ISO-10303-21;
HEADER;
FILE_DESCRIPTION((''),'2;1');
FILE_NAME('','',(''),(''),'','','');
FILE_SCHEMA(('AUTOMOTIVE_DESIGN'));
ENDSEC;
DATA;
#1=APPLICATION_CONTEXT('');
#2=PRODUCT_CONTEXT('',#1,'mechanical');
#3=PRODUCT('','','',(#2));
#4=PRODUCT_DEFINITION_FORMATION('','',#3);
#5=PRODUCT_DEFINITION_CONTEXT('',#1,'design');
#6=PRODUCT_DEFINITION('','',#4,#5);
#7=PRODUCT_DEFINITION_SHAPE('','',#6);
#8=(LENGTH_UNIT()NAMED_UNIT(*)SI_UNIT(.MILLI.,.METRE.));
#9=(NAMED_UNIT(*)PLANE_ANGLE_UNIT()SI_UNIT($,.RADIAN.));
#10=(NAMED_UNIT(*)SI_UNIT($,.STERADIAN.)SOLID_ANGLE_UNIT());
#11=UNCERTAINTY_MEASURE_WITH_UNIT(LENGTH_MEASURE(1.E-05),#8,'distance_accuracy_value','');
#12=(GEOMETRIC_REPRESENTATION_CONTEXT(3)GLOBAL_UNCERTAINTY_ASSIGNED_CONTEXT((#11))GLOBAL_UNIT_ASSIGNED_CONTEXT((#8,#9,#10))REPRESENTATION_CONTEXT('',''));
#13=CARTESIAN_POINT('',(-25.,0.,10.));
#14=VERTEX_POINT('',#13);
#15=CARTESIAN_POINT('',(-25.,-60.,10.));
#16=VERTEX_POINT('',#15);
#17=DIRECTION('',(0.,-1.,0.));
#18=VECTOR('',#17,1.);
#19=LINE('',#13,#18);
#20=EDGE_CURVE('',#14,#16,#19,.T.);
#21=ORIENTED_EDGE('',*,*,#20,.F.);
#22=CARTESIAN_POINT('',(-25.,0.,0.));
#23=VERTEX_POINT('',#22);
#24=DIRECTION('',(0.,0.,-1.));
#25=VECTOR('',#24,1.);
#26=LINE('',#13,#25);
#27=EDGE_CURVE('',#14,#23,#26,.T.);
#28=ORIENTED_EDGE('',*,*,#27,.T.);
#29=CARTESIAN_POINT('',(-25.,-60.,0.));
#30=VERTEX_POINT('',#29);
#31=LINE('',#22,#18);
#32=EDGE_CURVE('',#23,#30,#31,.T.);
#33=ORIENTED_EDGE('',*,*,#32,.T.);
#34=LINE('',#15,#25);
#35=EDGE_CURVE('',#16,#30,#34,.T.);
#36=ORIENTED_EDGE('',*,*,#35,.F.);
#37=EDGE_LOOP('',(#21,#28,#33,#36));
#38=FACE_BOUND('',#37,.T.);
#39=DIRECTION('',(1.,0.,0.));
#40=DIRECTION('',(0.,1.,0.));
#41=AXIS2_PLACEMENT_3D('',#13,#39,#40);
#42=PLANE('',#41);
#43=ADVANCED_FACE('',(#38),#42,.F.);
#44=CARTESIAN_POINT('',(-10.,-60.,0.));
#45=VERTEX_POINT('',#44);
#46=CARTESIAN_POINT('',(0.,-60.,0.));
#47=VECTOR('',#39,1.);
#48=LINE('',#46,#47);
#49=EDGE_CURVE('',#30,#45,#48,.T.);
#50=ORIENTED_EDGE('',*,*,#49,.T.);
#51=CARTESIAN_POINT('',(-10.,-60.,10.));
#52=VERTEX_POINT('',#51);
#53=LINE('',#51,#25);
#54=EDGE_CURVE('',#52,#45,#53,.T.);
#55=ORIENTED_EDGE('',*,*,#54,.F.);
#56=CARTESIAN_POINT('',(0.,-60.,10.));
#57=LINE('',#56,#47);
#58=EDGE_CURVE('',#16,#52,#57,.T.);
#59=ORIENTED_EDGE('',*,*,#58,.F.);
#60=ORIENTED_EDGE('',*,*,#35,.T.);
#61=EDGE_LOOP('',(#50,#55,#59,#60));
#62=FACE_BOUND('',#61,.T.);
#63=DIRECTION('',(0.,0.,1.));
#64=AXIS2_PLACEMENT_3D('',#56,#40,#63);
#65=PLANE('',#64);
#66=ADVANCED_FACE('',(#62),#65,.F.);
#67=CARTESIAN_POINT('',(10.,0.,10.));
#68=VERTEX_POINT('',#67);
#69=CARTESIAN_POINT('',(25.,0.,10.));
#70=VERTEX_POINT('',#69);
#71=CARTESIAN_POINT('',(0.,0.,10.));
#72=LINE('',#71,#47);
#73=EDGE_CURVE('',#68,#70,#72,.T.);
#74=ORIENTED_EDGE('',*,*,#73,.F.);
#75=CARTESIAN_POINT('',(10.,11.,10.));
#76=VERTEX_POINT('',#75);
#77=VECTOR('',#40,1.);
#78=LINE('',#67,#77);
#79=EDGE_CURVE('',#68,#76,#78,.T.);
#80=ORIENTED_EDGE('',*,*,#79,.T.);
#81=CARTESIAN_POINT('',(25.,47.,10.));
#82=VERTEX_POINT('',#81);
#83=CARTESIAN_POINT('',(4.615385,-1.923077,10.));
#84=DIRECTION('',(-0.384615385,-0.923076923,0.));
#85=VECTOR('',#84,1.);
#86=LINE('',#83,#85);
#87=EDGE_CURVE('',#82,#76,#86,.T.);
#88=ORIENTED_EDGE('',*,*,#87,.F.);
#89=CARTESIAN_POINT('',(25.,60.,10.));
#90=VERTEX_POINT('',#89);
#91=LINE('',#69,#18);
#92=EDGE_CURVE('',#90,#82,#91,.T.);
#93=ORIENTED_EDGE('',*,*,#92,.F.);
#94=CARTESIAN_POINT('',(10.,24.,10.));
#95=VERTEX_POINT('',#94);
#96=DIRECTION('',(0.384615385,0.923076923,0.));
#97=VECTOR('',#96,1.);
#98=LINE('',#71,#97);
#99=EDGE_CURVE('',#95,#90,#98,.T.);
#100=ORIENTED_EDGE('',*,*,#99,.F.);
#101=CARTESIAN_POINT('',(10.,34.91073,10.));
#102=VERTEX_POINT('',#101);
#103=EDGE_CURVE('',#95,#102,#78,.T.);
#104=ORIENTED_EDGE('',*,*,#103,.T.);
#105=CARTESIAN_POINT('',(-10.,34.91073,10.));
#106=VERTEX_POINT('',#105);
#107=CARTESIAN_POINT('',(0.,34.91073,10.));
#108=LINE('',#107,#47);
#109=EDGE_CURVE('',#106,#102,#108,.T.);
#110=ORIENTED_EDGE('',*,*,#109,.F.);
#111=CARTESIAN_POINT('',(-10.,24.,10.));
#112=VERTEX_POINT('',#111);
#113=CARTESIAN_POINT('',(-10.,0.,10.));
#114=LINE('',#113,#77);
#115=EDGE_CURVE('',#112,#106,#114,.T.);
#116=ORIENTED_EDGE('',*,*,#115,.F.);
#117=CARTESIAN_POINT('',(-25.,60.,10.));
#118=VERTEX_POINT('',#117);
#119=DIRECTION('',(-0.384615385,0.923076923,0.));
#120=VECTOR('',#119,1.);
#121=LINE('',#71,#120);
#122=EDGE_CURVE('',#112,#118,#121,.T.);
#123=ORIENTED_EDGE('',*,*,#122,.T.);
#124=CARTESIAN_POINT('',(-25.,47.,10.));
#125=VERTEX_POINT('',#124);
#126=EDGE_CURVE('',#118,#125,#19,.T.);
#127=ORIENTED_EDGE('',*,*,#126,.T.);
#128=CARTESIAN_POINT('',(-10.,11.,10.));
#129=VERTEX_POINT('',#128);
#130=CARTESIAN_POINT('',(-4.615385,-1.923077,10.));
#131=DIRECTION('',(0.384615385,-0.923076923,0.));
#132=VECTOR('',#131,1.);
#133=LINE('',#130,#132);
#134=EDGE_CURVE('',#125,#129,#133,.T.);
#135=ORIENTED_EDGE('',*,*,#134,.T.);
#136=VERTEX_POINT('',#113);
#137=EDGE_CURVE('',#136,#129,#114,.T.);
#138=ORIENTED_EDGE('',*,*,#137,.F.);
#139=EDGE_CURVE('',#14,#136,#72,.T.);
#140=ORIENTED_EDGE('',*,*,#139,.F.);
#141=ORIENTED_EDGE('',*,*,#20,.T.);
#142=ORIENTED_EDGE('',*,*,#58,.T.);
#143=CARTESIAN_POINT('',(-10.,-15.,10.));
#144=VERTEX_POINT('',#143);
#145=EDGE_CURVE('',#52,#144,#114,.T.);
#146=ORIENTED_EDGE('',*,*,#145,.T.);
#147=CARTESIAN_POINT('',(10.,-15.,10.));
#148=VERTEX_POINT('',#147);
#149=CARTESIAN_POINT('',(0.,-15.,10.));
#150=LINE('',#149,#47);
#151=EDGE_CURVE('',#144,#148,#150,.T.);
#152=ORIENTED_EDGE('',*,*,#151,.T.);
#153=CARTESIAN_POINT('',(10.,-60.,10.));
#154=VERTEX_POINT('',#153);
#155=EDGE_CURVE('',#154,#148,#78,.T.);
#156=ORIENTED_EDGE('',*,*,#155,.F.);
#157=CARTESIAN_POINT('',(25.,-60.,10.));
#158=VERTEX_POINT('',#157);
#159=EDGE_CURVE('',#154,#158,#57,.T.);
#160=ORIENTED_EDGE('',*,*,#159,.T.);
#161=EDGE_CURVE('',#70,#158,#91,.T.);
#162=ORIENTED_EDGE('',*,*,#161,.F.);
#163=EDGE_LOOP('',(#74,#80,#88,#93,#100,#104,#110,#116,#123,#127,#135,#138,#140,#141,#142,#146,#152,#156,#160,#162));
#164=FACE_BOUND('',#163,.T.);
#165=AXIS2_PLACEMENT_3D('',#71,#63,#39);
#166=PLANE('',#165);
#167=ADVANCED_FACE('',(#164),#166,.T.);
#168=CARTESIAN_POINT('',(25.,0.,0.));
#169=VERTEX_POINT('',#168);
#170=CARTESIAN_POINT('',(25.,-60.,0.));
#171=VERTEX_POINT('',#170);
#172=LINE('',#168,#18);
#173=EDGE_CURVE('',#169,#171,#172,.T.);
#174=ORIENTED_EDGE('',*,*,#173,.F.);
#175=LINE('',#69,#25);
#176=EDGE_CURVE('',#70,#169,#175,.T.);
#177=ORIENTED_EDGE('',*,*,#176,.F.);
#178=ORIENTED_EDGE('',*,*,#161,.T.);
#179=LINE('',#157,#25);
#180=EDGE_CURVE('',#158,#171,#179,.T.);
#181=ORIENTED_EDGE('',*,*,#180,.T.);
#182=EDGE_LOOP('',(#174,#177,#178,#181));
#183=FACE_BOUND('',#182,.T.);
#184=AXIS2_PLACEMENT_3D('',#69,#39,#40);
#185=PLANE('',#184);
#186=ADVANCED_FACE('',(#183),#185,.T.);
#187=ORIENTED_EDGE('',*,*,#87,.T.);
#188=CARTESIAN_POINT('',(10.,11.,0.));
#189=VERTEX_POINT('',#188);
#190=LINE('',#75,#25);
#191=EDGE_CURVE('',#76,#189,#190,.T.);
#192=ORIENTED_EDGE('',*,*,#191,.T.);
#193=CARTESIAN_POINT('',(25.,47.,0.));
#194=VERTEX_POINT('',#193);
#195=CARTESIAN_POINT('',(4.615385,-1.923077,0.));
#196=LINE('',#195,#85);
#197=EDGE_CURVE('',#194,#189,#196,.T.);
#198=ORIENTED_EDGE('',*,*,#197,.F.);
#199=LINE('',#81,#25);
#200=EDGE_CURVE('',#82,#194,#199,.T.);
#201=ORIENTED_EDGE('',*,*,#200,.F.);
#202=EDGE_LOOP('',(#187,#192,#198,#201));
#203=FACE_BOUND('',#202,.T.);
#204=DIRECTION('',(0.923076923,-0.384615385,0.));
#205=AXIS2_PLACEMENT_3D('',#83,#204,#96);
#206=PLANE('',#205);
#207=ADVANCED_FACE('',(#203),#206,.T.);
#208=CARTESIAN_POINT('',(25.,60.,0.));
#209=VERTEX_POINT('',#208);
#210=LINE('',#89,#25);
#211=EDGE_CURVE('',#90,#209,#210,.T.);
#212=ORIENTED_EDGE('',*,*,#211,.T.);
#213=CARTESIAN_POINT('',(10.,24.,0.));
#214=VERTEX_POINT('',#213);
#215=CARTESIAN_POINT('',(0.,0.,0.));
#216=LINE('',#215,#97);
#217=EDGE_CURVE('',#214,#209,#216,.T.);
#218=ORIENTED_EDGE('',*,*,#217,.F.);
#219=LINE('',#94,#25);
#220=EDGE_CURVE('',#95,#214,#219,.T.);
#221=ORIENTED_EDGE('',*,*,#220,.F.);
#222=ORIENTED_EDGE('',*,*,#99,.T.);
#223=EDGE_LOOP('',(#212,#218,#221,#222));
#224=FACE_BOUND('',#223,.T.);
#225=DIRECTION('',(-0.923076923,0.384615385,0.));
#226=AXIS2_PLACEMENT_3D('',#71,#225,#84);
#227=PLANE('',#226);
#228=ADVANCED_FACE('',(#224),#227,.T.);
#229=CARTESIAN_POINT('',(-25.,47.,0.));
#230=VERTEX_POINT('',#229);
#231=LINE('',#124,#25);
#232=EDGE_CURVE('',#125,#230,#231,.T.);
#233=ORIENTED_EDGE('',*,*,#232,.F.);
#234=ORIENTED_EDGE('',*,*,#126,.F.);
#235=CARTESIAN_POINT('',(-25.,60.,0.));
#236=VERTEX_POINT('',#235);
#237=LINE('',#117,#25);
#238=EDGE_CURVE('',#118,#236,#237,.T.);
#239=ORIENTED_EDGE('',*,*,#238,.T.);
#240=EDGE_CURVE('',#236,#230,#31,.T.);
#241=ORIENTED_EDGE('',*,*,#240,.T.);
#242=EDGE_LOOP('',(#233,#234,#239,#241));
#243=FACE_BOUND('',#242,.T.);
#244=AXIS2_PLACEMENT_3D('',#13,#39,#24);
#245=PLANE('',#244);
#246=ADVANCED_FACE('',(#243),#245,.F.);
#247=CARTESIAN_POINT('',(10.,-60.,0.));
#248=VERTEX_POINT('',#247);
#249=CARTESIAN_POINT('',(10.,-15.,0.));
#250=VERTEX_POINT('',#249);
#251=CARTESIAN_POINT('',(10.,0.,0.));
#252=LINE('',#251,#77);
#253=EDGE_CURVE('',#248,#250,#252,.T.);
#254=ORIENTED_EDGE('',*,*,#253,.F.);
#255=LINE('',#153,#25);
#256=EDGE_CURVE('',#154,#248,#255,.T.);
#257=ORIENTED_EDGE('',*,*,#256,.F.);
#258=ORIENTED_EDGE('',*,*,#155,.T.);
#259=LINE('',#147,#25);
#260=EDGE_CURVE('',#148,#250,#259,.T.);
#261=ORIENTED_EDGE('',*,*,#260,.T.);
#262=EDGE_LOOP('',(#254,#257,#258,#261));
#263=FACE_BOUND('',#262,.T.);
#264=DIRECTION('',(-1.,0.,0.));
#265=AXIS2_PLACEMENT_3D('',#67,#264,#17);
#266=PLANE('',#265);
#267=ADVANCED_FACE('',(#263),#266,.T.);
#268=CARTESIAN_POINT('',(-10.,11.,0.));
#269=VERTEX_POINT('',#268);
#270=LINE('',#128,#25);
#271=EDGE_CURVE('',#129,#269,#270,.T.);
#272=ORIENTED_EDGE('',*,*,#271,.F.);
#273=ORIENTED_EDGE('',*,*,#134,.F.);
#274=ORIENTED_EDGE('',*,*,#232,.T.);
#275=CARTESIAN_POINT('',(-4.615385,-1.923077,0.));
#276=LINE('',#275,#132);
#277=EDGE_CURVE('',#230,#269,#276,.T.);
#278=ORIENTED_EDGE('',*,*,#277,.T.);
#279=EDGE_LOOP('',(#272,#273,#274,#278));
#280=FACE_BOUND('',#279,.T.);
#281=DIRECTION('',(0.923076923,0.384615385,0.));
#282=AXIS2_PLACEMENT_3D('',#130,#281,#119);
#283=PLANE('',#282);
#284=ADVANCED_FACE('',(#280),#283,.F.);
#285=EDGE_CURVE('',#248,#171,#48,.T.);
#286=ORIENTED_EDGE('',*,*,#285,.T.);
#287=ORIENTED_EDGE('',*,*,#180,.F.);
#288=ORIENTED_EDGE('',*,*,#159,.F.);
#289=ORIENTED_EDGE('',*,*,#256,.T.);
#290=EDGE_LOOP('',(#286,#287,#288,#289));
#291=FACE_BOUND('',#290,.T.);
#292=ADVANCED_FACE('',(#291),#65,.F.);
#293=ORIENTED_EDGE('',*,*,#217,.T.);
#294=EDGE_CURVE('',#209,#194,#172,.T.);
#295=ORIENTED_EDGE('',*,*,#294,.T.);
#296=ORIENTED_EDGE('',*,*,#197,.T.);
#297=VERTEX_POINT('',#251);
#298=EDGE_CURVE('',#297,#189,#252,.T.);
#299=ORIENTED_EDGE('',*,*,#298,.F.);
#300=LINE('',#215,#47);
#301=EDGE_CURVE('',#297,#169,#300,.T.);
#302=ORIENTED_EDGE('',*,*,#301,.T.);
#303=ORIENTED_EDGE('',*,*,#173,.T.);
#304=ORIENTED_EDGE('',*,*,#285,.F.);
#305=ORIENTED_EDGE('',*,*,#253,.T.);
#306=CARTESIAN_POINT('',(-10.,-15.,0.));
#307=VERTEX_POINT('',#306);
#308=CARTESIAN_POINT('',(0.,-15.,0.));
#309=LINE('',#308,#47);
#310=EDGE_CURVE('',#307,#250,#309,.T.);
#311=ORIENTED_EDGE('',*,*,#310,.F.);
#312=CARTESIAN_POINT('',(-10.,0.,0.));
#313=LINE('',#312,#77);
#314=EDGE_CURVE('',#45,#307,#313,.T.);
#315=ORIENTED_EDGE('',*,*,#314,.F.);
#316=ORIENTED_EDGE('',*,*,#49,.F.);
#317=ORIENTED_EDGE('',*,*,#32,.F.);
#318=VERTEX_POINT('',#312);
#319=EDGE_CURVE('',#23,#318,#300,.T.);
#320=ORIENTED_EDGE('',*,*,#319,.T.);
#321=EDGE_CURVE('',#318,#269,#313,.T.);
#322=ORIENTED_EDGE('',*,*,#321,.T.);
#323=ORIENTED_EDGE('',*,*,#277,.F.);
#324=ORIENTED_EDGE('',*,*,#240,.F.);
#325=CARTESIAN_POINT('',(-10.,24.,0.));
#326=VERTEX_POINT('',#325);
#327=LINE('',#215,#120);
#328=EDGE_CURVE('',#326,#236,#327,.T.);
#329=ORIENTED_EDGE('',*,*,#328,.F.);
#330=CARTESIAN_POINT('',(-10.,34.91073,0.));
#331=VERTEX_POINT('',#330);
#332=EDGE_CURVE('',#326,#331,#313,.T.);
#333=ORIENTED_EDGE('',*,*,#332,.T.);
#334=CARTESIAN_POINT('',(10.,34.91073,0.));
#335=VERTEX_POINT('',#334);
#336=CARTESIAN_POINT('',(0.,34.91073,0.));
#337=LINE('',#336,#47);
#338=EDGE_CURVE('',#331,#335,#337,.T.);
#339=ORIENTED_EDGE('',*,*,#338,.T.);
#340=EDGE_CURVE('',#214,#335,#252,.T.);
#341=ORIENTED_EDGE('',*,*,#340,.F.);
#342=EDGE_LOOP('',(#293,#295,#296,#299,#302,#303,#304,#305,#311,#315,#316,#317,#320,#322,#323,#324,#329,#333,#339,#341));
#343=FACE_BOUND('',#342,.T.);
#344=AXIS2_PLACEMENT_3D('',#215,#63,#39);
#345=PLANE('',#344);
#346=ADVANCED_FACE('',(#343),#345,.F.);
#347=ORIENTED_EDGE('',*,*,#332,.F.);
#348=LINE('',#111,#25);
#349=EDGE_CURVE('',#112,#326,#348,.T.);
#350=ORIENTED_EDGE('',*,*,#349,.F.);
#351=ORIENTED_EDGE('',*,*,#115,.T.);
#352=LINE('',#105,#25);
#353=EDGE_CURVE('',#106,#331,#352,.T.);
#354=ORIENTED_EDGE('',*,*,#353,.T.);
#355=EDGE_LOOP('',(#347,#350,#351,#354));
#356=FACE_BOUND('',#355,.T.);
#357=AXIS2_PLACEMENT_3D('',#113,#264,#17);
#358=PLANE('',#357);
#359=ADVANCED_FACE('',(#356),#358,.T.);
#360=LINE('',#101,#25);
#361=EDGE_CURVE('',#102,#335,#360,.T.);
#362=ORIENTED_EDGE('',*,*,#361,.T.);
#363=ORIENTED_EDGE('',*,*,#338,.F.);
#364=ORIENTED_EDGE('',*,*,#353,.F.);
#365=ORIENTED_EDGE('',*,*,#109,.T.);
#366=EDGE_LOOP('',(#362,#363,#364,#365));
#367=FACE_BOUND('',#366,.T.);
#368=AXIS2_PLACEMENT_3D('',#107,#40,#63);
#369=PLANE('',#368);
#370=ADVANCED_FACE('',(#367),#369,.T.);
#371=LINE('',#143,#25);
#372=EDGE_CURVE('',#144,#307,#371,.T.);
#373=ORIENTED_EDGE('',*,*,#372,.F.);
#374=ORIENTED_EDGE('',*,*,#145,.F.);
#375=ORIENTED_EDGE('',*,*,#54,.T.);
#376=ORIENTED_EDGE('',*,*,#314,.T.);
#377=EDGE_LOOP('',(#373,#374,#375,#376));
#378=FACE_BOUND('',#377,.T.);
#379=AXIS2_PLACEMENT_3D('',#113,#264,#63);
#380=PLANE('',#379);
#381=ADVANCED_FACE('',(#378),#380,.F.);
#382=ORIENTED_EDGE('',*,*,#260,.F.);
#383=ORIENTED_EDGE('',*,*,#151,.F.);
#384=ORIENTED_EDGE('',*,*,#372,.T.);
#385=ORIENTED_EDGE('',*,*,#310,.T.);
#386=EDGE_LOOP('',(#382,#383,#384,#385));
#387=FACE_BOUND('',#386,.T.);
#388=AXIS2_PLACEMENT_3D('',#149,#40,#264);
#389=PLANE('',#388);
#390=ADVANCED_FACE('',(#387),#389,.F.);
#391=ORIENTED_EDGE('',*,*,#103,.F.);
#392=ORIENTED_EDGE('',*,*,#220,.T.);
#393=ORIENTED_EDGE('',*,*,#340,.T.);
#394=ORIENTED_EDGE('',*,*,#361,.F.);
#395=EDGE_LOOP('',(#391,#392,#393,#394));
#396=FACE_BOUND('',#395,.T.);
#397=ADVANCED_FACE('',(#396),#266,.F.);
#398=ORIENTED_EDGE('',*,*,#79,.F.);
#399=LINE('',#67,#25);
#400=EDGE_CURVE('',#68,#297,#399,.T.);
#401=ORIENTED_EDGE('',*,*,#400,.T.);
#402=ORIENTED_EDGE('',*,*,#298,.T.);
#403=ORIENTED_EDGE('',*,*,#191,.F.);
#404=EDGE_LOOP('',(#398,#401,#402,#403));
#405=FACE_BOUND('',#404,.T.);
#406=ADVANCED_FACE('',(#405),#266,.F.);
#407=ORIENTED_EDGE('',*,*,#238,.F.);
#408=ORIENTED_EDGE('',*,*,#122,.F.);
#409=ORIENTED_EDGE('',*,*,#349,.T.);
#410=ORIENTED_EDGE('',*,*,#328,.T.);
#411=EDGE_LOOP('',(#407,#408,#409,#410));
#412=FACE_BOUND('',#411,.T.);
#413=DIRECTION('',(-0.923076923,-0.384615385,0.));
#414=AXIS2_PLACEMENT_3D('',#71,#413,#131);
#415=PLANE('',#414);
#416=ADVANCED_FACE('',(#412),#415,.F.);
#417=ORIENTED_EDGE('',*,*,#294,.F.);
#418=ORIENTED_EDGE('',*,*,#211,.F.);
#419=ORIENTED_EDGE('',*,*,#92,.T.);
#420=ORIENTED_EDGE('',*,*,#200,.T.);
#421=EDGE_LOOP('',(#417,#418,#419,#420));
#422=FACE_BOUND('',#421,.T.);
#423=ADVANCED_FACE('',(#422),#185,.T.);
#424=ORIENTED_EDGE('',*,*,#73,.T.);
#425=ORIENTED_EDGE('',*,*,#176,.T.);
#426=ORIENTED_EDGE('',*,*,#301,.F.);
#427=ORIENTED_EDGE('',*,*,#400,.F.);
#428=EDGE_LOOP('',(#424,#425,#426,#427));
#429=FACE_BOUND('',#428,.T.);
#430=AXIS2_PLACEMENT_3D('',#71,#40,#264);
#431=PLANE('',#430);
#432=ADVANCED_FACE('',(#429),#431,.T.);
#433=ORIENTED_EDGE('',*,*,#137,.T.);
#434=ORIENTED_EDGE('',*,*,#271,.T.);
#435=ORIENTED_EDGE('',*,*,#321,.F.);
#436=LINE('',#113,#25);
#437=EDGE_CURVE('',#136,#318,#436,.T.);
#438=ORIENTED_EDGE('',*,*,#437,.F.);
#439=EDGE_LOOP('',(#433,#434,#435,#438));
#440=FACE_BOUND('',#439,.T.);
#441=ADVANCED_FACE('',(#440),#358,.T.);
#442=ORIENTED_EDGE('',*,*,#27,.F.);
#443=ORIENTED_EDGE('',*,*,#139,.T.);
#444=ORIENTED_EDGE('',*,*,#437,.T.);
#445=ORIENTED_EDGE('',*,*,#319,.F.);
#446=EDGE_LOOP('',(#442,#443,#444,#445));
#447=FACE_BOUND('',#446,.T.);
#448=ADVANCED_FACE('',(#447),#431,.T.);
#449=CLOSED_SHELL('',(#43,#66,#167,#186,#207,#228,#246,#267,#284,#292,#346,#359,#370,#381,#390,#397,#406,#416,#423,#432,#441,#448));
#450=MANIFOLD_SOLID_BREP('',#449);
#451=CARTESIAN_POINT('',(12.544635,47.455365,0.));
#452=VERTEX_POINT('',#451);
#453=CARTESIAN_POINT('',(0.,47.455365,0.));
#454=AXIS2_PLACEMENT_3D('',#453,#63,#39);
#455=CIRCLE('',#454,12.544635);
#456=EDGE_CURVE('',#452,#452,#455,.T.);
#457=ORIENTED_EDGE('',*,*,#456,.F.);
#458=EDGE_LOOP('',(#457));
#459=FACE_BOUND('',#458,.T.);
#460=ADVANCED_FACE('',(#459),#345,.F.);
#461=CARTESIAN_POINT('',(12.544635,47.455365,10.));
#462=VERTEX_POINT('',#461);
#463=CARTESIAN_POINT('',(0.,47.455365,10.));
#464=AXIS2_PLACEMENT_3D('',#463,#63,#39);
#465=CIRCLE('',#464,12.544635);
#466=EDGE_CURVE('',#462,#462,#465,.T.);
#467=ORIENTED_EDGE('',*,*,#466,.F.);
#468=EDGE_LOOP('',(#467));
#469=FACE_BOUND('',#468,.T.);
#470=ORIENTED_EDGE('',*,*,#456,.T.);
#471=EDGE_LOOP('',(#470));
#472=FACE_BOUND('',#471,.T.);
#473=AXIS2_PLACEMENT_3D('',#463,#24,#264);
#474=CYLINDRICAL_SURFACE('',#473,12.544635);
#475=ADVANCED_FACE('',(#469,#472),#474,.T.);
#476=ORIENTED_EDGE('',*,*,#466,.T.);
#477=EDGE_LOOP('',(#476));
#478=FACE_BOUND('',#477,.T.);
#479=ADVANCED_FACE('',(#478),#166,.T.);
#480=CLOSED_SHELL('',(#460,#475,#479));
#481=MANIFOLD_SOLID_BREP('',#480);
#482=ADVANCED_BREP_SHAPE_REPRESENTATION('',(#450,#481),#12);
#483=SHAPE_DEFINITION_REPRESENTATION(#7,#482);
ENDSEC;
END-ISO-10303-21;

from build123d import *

# Parameters (mm, degrees)
SKETCH_1_R      = 12.544634771
SKETCH_1_W      = 20
SKETCH_1_H      = 15
EXTRUDE_1_DEPTH = 10


with BuildPart() as part:
    # 스케치1 → 보스-돌출1 (new body)
    with BuildSketch(Plane.XY):
        with Locations((0, 47.455365229)):
            Circle(SKETCH_1_R)
        Polygon((-10, 11), (-10, 0), (10, 0), (10, 11), (25, 47), (25, 60), (10, 24), (10, 34.910730459), (0, 34.910730459), (-10, 34.910730459), (-10, 24), (-25, 60), (-25, 47), align=None)
        Polygon((-10, 0), (-25, 0), (-25, -60), (-10, -60), (-10, -34.910730459), (-10, -15), align=None)
        with Locations((0, -7.5)):
            Rectangle(SKETCH_1_W, SKETCH_1_H)
        Polygon((25, 0), (10, 0), (10, -15), (10, -34.910730459), (10, -60), (25, -60), align=None)
    extrude(amount=EXTRUDE_1_DEPTH)


solid = part.part
